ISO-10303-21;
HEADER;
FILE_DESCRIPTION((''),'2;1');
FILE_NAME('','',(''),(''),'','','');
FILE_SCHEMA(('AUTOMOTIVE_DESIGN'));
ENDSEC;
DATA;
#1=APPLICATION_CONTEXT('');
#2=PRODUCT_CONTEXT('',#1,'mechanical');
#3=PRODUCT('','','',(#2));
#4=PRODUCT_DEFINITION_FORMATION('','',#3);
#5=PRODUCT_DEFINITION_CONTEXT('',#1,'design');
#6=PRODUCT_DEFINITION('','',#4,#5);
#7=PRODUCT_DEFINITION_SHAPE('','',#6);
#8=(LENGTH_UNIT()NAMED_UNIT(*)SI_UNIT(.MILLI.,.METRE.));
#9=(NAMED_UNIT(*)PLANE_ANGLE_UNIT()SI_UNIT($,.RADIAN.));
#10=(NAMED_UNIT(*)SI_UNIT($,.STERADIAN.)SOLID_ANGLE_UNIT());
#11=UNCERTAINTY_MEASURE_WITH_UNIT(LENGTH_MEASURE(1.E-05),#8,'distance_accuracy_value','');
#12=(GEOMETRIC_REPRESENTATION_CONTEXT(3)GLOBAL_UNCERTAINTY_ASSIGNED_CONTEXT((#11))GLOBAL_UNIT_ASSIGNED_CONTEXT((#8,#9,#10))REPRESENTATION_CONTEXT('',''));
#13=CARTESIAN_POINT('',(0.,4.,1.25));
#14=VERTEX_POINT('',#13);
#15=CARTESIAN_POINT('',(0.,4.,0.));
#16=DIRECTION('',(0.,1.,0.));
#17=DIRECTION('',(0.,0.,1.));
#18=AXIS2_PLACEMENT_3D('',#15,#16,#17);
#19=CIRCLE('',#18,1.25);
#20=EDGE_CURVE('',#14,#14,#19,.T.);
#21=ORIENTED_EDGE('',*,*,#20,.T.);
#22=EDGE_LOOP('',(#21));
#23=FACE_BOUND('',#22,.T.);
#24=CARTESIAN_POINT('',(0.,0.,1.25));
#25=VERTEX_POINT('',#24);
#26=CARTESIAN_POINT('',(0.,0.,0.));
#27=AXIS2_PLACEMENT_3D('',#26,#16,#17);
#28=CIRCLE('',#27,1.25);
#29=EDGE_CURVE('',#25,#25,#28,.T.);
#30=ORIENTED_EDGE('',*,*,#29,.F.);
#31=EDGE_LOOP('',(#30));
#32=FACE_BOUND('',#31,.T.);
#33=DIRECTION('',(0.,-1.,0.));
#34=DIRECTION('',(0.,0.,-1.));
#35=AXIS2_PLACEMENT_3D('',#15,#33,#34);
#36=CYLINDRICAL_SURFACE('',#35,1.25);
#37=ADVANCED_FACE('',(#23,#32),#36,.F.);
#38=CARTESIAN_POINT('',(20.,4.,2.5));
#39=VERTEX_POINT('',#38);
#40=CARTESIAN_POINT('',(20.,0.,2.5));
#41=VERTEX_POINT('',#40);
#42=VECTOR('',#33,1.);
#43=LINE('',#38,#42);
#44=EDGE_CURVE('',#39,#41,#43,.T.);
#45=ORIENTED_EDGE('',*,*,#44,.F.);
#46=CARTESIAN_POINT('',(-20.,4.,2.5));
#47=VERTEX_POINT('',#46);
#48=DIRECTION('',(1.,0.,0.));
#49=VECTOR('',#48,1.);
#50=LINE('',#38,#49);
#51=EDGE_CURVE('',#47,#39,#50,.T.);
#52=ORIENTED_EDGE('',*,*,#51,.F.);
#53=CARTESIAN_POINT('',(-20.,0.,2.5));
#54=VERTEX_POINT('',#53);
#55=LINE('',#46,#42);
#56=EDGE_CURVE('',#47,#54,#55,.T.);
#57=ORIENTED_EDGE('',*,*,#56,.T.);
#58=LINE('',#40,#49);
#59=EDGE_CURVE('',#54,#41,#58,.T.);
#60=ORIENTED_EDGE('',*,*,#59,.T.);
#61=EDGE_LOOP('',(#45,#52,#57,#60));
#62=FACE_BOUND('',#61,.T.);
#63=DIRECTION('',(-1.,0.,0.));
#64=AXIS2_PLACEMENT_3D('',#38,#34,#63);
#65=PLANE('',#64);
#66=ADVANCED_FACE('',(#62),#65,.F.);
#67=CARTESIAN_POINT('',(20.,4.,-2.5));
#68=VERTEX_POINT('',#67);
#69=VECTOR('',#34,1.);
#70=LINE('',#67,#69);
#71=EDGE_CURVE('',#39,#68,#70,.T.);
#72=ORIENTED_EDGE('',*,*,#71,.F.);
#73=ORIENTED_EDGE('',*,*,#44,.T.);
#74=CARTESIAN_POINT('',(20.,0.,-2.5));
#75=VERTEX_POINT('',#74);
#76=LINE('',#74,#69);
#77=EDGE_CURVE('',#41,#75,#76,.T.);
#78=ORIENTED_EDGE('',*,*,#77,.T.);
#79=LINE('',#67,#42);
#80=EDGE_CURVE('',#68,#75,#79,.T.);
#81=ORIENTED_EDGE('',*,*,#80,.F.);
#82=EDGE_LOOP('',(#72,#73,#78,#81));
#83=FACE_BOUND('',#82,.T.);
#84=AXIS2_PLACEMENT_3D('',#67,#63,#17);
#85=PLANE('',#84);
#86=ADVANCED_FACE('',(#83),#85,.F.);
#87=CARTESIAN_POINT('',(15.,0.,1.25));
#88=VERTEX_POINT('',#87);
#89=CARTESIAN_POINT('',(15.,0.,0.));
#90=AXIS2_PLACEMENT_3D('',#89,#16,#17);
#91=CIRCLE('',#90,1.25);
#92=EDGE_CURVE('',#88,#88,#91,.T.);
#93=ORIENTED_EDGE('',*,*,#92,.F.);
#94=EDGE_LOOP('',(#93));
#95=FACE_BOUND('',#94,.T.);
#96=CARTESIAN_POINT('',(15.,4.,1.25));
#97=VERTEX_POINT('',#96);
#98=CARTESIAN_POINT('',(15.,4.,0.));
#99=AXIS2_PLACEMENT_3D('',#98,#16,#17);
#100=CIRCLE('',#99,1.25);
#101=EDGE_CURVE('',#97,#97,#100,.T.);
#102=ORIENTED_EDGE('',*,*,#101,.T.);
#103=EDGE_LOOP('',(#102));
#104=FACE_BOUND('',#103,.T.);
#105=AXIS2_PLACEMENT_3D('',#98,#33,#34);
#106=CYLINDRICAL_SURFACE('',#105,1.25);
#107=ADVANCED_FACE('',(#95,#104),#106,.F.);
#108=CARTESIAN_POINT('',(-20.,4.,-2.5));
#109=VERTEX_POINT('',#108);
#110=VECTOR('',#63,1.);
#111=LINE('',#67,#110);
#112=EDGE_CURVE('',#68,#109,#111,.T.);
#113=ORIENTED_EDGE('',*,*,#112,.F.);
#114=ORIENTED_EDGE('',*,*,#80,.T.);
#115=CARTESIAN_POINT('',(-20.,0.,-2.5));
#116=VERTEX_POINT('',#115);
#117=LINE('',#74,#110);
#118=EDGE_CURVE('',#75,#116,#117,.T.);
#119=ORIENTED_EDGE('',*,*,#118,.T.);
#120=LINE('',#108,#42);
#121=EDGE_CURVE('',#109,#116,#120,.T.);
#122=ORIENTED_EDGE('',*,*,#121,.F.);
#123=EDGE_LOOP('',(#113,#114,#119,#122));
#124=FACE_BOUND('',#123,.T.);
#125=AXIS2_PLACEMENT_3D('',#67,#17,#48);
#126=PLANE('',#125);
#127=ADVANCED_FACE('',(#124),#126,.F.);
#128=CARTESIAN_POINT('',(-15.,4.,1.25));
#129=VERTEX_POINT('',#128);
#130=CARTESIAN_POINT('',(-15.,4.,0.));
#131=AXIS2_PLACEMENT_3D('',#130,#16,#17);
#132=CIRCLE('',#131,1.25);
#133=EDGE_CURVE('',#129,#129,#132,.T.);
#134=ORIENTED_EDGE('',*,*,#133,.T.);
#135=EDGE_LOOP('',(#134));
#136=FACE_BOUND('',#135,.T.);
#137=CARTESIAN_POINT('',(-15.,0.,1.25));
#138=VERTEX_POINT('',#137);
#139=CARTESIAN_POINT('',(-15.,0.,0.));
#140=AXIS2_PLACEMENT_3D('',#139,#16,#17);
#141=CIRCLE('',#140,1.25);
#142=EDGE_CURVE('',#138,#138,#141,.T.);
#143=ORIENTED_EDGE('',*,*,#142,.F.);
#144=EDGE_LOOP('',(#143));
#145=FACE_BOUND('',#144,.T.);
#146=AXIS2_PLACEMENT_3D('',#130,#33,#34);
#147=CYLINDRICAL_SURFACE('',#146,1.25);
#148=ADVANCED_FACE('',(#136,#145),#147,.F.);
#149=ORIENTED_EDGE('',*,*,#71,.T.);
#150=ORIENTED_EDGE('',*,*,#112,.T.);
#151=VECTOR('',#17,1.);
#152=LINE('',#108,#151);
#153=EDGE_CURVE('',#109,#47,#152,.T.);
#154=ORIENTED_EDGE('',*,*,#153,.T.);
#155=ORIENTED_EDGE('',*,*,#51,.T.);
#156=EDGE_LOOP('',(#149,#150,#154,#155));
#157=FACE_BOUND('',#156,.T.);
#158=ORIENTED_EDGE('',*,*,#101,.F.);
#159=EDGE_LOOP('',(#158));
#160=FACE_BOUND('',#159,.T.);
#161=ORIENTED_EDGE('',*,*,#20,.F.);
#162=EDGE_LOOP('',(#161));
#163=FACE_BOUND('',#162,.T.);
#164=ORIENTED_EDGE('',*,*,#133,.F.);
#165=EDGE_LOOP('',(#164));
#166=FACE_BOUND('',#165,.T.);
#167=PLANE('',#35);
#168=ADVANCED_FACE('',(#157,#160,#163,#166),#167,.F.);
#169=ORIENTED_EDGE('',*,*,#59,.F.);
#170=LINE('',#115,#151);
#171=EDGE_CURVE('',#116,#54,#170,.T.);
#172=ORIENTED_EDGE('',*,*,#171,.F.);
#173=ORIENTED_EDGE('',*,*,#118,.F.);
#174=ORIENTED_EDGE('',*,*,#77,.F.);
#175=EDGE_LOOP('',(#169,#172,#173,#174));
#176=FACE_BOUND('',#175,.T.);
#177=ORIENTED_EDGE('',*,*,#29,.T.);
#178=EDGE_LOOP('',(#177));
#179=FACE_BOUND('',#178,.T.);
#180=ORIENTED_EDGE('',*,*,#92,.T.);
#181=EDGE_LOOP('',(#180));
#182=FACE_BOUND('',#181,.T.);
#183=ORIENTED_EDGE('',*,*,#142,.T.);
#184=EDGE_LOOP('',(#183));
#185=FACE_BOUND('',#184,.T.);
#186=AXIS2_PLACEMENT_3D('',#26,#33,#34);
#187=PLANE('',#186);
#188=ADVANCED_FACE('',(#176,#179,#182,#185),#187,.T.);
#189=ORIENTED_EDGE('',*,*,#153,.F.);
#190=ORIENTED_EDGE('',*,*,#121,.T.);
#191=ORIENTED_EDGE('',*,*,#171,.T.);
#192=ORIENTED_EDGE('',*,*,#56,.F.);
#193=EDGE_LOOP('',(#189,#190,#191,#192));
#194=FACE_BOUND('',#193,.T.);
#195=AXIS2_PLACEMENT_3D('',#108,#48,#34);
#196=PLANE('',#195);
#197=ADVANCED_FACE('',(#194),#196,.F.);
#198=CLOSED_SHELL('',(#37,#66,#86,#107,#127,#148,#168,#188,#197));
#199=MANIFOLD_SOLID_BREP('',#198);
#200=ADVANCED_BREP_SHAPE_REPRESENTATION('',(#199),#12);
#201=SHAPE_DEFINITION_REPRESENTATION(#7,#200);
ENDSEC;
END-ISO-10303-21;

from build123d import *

# Parameters (mm, degrees)
SKETCH_1_W      = 40
SKETCH_1_H      = 5
SKETCH_1_R      = 1.25
EXTRUDE_1_DEPTH = 4


with BuildPart() as part:
    # 스케치1 → 보스-돌출1 (new body)
    with BuildSketch(Plane(origin=(0, 0, 0), x_dir=(1, 0, 0), z_dir=(0, 1, 0))):
        Rectangle(SKETCH_1_W, SKETCH_1_H)
        Circle(SKETCH_1_R, mode=Mode.SUBTRACT)
        with Locations((15, 0)):
            Circle(SKETCH_1_R, mode=Mode.SUBTRACT)
        with Locations((-15, 0)):
            Circle(SKETCH_1_R, mode=Mode.SUBTRACT)
    extrude(amount=EXTRUDE_1_DEPTH)


solid = part.part
